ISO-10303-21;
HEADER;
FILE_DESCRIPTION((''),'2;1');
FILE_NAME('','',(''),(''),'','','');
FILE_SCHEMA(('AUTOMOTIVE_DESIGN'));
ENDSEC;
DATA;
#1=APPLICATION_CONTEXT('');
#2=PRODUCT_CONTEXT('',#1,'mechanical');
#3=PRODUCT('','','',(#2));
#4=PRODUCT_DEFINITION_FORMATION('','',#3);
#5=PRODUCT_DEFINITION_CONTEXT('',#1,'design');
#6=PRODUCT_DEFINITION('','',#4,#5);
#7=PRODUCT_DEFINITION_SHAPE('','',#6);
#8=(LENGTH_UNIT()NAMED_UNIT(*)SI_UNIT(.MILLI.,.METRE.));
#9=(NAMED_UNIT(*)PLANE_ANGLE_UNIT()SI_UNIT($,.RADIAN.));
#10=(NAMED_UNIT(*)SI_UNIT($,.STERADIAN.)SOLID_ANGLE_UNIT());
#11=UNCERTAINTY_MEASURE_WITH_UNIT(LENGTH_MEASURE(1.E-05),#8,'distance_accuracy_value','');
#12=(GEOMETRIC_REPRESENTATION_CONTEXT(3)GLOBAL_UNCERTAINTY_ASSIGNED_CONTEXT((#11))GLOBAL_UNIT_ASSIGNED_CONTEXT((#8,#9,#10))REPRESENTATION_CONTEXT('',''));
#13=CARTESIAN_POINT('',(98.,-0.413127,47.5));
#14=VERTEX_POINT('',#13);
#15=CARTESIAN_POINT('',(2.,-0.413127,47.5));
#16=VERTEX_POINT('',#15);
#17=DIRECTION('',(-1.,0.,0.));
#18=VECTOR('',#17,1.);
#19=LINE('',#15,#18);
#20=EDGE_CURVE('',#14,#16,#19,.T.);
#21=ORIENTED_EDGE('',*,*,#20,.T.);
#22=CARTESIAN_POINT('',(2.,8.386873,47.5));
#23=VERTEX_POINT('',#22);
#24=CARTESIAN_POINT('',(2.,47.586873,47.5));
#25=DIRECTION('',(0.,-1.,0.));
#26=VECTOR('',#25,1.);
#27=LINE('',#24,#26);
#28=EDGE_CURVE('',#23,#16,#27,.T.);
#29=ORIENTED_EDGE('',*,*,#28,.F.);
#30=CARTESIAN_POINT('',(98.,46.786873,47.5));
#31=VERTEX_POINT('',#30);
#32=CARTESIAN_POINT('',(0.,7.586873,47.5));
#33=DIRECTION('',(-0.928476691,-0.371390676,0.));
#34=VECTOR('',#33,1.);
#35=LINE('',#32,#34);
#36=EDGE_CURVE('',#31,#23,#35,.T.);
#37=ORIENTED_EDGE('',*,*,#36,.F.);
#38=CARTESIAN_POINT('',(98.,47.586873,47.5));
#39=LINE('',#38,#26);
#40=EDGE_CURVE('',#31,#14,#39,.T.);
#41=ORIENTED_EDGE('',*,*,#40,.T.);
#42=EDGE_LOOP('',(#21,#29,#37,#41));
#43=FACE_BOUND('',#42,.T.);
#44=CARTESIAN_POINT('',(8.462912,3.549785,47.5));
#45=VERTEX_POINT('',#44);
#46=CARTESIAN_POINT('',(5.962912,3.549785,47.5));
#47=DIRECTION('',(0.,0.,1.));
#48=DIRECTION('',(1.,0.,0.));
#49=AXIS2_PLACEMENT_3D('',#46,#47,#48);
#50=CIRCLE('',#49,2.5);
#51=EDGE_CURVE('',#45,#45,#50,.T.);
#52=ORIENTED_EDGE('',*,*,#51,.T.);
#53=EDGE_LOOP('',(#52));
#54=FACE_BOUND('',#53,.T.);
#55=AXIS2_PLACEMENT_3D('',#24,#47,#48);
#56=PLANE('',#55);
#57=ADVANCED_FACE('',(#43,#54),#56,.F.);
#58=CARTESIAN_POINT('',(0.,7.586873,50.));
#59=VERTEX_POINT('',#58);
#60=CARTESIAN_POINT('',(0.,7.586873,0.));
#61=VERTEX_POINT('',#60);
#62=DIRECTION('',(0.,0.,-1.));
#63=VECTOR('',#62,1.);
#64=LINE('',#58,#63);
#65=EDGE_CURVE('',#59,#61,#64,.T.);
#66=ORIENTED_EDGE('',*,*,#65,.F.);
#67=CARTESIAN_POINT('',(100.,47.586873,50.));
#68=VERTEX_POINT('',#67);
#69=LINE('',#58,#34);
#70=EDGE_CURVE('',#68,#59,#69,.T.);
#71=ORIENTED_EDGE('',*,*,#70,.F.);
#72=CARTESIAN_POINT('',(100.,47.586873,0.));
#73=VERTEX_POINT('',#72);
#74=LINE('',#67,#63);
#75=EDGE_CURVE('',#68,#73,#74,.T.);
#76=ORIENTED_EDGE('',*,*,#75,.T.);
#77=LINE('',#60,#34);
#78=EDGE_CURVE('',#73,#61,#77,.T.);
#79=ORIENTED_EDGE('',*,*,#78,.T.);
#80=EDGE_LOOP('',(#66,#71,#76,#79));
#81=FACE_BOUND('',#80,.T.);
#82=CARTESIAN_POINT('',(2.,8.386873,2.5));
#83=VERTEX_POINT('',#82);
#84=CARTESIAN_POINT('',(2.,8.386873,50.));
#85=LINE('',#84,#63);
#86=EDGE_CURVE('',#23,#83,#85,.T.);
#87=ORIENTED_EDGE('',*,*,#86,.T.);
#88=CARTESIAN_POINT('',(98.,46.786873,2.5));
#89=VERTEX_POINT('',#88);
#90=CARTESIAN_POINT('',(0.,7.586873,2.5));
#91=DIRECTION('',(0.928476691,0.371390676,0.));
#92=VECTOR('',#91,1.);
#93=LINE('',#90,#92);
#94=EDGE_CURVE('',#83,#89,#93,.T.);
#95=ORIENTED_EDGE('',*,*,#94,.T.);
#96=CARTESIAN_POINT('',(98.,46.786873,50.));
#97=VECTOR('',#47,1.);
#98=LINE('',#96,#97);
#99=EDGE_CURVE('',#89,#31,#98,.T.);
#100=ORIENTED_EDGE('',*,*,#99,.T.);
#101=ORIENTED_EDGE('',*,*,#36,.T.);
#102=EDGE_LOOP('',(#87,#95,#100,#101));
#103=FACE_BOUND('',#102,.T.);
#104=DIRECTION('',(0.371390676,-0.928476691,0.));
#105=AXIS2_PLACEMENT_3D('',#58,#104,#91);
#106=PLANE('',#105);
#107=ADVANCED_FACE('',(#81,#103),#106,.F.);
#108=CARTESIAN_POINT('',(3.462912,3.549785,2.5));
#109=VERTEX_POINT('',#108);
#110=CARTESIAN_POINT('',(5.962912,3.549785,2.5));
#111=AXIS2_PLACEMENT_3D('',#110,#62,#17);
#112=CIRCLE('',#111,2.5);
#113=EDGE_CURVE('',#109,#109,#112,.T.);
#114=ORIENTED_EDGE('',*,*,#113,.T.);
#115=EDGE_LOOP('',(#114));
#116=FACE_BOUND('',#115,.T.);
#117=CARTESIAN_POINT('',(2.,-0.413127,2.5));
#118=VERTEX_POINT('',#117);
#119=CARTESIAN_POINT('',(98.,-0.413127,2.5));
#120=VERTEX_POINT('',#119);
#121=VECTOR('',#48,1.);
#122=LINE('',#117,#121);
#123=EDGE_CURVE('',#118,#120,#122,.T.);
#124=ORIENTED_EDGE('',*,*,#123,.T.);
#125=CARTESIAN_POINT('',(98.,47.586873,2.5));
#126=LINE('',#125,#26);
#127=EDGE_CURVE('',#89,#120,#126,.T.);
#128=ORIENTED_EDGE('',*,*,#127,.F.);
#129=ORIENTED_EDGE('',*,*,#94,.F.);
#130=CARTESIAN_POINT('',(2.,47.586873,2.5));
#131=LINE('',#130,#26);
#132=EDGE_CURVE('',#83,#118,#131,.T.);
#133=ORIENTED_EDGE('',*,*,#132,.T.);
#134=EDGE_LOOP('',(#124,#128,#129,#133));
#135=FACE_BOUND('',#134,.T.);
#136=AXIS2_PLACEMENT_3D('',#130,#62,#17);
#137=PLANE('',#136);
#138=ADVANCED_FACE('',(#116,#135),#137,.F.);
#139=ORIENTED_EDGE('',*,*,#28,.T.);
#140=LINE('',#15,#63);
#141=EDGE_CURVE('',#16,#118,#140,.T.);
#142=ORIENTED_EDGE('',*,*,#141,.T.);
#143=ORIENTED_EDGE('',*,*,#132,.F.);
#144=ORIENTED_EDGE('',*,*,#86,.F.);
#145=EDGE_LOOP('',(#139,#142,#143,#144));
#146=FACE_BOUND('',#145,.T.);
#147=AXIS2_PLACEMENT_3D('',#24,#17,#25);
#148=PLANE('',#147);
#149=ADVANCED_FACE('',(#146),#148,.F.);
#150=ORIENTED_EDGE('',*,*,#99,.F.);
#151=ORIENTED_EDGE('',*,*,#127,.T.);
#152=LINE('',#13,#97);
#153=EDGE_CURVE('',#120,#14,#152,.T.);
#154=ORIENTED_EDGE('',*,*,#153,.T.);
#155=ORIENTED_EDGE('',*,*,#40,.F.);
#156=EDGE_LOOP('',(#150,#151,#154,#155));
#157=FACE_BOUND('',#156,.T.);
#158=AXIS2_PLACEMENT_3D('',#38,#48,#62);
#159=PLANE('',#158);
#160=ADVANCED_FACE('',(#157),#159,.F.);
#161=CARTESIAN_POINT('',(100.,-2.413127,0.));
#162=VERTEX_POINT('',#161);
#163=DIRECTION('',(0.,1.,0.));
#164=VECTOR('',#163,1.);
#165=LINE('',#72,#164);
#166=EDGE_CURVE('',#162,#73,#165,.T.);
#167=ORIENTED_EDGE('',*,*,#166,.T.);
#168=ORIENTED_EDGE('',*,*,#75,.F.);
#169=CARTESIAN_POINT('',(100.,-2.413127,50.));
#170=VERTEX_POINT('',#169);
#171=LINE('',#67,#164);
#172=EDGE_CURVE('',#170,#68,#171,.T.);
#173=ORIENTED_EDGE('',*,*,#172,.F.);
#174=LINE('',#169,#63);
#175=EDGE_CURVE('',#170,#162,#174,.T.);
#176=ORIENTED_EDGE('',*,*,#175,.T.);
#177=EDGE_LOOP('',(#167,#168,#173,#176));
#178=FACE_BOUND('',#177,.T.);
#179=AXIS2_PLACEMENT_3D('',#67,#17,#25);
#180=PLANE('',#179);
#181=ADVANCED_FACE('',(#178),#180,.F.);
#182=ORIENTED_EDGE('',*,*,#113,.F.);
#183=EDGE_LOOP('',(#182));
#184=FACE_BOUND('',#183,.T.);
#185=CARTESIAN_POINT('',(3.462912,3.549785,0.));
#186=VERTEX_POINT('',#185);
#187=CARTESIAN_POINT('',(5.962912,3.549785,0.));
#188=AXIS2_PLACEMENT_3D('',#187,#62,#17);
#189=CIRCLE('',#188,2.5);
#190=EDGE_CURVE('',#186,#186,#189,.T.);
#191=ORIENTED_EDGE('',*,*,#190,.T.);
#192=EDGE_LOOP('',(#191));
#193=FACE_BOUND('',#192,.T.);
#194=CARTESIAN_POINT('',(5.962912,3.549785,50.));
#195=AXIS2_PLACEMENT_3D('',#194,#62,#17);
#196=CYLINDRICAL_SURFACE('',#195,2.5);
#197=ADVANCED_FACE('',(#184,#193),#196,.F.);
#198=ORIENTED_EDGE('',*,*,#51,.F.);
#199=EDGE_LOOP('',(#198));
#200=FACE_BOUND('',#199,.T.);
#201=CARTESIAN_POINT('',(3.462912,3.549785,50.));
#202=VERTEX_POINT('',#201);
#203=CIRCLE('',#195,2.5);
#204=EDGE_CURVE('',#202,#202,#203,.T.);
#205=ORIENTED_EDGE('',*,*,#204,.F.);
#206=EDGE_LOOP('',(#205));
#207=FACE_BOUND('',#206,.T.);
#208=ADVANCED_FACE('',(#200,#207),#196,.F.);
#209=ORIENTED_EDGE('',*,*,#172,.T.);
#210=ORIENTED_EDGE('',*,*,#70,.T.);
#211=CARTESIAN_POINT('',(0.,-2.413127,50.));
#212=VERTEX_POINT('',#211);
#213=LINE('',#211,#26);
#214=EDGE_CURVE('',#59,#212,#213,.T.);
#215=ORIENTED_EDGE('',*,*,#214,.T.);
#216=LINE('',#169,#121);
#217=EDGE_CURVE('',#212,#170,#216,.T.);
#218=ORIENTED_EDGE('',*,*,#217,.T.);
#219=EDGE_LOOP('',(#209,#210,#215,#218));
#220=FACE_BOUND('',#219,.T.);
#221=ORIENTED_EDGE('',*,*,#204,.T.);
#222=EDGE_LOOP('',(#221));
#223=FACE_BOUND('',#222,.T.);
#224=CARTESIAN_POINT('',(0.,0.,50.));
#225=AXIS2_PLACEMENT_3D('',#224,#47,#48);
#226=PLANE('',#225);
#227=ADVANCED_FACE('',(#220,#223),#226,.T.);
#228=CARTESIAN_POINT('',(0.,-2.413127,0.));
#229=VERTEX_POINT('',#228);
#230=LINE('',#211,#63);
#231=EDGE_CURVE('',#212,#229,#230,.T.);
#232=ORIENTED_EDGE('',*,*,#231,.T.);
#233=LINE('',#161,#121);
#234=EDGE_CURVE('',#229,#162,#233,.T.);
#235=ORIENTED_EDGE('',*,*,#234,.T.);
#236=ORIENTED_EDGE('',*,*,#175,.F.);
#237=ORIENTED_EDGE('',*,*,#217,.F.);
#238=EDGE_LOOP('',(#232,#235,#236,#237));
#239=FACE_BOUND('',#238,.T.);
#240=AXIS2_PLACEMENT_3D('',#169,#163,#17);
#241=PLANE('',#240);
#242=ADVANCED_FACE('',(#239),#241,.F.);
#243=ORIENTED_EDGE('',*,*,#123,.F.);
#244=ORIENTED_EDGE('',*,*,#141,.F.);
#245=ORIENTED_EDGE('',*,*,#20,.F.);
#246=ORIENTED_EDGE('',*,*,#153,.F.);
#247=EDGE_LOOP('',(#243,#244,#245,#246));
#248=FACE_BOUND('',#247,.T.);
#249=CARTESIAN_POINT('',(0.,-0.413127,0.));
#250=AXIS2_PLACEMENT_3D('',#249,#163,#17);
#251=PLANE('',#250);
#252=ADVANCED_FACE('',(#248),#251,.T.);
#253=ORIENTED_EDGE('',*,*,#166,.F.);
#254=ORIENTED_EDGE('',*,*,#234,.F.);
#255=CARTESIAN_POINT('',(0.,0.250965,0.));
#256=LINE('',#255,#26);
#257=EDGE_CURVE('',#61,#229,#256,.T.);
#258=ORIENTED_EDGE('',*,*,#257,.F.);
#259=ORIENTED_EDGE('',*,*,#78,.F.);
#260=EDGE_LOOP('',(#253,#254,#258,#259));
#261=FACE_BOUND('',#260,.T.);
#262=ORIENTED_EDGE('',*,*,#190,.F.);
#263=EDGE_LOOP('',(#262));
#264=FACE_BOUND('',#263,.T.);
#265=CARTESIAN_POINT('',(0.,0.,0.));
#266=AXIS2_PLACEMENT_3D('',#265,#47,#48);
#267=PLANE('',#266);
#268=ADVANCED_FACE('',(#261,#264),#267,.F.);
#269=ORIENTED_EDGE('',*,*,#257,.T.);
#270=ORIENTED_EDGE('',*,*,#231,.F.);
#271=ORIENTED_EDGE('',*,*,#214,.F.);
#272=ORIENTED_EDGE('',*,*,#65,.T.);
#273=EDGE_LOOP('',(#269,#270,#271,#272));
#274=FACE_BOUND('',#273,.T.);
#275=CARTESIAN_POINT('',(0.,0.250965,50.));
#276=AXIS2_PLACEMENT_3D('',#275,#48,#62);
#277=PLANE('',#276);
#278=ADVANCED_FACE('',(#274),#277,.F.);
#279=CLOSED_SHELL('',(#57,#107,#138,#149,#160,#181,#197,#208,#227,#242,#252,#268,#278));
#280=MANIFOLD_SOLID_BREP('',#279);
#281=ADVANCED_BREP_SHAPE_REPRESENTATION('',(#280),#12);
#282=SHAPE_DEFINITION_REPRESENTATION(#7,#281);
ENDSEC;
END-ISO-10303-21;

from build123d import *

# Parameters (mm, degrees)
BOSS_EXTRUDE1_DEPTH = 50
CUT_EXTRUDE9_START  = -2
SKETCH3_W           = 96
SKETCH3_H           = 45
CUT_EXTRUDE9_DEPTH  = 121.474487139
SKETCH4_R           = 2.5
CUT_EXTRUDE10_DEPTH = 122.509301877


with BuildPart() as part:
    # Sketch1 → Boss-Extrude1 (new body)
    with BuildSketch(Plane.XY):
        Polygon((0, 0.250965251), (0, 7.586872587), (100, 47.586872587), (100, -2.413127413), (0, -2.413127413), align=None)
    extrude(amount=BOSS_EXTRUDE1_DEPTH)

    # Sketch3 → Cut-Extrude9 (cut, through all)
    with BuildSketch(Plane.XZ.offset(2.413127413).offset(CUT_EXTRUDE9_START)):
        with Locations((50, 25)):
            Rectangle(SKETCH3_W, SKETCH3_H)
    extrude(amount=-CUT_EXTRUDE9_DEPTH, mode=Mode.SUBTRACT)

    # Sketch4 → Cut-Extrude10 (cut, through all)
    with BuildSketch(Plane(origin=(0, 0, 0), x_dir=(-1, 0, 0), z_dir=(0, 0, -1))):
        with Locations((-5.962912018, 3.549784605)):
            Circle(SKETCH4_R)
    extrude(amount=-CUT_EXTRUDE10_DEPTH, mode=Mode.SUBTRACT)


solid = part.part
